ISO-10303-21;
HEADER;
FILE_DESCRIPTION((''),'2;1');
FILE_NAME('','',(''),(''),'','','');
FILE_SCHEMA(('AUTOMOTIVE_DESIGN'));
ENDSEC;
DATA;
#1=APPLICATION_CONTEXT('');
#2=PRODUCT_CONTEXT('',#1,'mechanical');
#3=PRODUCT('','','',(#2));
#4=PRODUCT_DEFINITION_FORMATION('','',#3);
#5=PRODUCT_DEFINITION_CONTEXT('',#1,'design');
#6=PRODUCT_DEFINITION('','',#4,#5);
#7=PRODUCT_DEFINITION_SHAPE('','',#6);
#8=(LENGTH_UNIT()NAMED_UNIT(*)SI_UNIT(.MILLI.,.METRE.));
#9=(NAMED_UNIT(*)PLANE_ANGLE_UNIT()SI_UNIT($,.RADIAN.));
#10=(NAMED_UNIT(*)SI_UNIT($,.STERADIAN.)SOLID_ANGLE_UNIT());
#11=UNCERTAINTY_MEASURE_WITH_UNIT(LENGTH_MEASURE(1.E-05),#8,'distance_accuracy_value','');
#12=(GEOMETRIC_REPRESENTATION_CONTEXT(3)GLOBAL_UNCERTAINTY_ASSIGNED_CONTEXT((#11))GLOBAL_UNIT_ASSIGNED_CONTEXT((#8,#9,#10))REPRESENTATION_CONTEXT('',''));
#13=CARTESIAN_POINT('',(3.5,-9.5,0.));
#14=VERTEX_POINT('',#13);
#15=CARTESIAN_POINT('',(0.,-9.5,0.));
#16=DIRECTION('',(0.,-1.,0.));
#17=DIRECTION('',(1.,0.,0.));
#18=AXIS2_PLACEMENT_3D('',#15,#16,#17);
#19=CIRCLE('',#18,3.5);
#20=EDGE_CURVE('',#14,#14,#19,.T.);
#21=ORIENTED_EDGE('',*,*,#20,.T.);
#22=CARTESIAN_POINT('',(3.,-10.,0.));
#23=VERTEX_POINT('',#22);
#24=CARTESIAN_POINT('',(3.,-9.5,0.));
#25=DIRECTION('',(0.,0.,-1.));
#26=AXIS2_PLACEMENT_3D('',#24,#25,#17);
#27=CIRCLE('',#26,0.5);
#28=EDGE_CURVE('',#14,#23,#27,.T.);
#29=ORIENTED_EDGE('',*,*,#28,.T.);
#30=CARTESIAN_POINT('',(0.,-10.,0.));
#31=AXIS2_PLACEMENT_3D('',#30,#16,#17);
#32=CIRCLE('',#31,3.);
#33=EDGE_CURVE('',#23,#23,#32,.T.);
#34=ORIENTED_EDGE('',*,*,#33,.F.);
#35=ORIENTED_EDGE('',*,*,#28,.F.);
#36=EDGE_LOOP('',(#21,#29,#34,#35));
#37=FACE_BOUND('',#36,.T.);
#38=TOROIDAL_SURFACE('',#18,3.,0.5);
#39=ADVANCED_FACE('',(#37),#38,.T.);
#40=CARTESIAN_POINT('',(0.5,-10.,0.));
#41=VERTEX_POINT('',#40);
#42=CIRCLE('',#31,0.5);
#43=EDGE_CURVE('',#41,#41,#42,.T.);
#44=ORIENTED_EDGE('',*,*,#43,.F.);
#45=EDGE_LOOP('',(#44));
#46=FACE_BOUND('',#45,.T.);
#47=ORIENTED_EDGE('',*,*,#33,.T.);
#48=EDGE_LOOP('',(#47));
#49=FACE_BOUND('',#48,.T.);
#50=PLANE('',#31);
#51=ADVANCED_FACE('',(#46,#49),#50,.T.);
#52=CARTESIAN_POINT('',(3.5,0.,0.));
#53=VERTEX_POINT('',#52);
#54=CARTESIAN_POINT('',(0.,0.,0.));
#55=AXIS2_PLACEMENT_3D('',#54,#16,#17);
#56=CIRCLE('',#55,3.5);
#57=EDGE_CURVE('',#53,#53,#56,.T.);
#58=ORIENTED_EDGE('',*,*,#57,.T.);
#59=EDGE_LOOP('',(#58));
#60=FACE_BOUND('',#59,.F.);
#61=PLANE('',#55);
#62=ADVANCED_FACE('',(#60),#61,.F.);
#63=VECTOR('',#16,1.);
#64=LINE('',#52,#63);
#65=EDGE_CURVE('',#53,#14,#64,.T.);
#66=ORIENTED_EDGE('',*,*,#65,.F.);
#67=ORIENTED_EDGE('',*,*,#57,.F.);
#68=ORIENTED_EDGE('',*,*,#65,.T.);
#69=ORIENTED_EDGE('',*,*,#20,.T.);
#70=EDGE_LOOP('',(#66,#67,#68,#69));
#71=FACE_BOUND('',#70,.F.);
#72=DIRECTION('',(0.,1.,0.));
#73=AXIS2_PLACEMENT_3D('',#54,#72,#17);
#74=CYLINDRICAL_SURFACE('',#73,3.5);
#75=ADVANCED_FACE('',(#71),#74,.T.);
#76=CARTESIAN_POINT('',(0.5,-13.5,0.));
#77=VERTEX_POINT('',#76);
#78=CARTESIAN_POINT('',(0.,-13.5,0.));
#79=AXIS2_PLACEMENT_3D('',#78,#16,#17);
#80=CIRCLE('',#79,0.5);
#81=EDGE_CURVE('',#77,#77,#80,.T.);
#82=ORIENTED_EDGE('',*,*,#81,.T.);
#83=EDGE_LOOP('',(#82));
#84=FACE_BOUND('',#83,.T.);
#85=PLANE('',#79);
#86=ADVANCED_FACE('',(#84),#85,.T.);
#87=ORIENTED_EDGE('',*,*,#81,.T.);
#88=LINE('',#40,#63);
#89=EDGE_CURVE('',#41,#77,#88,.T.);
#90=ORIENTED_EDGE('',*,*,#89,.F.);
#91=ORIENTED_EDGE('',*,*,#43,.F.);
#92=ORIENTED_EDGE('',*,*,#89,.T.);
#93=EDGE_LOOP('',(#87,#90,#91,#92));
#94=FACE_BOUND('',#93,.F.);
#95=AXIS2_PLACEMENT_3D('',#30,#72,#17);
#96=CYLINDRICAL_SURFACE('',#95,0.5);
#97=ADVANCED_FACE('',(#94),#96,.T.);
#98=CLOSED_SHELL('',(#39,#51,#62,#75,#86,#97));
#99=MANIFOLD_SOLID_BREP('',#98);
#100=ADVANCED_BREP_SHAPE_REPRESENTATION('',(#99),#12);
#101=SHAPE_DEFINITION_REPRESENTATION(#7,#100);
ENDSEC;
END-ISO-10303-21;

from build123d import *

# Parameters (mm, degrees)
F0_R     = 3.5
F1_DEPTH = 10
F2_R     = 0.5
F3_R     = 0.5
F4_DEPTH = 3.5


with BuildPart() as f1:
    # F0 (on Front) → F1 (new body)
    with BuildSketch(Plane.XZ):
        Circle(F0_R)
    extrude(amount=F1_DEPTH)

    # F2
    f2_edges = [f1.edges().sort_by_distance(p)[0] for p in [
        (-3.5, -10, 0),
    ]]
    fillet(f2_edges, radius=F2_R)

    # F3 (on face) → F4 (join)
    with BuildSketch(Plane.XZ.offset(10)):
        Circle(F3_R)
    extrude(amount=F4_DEPTH)


solid = f1.part
